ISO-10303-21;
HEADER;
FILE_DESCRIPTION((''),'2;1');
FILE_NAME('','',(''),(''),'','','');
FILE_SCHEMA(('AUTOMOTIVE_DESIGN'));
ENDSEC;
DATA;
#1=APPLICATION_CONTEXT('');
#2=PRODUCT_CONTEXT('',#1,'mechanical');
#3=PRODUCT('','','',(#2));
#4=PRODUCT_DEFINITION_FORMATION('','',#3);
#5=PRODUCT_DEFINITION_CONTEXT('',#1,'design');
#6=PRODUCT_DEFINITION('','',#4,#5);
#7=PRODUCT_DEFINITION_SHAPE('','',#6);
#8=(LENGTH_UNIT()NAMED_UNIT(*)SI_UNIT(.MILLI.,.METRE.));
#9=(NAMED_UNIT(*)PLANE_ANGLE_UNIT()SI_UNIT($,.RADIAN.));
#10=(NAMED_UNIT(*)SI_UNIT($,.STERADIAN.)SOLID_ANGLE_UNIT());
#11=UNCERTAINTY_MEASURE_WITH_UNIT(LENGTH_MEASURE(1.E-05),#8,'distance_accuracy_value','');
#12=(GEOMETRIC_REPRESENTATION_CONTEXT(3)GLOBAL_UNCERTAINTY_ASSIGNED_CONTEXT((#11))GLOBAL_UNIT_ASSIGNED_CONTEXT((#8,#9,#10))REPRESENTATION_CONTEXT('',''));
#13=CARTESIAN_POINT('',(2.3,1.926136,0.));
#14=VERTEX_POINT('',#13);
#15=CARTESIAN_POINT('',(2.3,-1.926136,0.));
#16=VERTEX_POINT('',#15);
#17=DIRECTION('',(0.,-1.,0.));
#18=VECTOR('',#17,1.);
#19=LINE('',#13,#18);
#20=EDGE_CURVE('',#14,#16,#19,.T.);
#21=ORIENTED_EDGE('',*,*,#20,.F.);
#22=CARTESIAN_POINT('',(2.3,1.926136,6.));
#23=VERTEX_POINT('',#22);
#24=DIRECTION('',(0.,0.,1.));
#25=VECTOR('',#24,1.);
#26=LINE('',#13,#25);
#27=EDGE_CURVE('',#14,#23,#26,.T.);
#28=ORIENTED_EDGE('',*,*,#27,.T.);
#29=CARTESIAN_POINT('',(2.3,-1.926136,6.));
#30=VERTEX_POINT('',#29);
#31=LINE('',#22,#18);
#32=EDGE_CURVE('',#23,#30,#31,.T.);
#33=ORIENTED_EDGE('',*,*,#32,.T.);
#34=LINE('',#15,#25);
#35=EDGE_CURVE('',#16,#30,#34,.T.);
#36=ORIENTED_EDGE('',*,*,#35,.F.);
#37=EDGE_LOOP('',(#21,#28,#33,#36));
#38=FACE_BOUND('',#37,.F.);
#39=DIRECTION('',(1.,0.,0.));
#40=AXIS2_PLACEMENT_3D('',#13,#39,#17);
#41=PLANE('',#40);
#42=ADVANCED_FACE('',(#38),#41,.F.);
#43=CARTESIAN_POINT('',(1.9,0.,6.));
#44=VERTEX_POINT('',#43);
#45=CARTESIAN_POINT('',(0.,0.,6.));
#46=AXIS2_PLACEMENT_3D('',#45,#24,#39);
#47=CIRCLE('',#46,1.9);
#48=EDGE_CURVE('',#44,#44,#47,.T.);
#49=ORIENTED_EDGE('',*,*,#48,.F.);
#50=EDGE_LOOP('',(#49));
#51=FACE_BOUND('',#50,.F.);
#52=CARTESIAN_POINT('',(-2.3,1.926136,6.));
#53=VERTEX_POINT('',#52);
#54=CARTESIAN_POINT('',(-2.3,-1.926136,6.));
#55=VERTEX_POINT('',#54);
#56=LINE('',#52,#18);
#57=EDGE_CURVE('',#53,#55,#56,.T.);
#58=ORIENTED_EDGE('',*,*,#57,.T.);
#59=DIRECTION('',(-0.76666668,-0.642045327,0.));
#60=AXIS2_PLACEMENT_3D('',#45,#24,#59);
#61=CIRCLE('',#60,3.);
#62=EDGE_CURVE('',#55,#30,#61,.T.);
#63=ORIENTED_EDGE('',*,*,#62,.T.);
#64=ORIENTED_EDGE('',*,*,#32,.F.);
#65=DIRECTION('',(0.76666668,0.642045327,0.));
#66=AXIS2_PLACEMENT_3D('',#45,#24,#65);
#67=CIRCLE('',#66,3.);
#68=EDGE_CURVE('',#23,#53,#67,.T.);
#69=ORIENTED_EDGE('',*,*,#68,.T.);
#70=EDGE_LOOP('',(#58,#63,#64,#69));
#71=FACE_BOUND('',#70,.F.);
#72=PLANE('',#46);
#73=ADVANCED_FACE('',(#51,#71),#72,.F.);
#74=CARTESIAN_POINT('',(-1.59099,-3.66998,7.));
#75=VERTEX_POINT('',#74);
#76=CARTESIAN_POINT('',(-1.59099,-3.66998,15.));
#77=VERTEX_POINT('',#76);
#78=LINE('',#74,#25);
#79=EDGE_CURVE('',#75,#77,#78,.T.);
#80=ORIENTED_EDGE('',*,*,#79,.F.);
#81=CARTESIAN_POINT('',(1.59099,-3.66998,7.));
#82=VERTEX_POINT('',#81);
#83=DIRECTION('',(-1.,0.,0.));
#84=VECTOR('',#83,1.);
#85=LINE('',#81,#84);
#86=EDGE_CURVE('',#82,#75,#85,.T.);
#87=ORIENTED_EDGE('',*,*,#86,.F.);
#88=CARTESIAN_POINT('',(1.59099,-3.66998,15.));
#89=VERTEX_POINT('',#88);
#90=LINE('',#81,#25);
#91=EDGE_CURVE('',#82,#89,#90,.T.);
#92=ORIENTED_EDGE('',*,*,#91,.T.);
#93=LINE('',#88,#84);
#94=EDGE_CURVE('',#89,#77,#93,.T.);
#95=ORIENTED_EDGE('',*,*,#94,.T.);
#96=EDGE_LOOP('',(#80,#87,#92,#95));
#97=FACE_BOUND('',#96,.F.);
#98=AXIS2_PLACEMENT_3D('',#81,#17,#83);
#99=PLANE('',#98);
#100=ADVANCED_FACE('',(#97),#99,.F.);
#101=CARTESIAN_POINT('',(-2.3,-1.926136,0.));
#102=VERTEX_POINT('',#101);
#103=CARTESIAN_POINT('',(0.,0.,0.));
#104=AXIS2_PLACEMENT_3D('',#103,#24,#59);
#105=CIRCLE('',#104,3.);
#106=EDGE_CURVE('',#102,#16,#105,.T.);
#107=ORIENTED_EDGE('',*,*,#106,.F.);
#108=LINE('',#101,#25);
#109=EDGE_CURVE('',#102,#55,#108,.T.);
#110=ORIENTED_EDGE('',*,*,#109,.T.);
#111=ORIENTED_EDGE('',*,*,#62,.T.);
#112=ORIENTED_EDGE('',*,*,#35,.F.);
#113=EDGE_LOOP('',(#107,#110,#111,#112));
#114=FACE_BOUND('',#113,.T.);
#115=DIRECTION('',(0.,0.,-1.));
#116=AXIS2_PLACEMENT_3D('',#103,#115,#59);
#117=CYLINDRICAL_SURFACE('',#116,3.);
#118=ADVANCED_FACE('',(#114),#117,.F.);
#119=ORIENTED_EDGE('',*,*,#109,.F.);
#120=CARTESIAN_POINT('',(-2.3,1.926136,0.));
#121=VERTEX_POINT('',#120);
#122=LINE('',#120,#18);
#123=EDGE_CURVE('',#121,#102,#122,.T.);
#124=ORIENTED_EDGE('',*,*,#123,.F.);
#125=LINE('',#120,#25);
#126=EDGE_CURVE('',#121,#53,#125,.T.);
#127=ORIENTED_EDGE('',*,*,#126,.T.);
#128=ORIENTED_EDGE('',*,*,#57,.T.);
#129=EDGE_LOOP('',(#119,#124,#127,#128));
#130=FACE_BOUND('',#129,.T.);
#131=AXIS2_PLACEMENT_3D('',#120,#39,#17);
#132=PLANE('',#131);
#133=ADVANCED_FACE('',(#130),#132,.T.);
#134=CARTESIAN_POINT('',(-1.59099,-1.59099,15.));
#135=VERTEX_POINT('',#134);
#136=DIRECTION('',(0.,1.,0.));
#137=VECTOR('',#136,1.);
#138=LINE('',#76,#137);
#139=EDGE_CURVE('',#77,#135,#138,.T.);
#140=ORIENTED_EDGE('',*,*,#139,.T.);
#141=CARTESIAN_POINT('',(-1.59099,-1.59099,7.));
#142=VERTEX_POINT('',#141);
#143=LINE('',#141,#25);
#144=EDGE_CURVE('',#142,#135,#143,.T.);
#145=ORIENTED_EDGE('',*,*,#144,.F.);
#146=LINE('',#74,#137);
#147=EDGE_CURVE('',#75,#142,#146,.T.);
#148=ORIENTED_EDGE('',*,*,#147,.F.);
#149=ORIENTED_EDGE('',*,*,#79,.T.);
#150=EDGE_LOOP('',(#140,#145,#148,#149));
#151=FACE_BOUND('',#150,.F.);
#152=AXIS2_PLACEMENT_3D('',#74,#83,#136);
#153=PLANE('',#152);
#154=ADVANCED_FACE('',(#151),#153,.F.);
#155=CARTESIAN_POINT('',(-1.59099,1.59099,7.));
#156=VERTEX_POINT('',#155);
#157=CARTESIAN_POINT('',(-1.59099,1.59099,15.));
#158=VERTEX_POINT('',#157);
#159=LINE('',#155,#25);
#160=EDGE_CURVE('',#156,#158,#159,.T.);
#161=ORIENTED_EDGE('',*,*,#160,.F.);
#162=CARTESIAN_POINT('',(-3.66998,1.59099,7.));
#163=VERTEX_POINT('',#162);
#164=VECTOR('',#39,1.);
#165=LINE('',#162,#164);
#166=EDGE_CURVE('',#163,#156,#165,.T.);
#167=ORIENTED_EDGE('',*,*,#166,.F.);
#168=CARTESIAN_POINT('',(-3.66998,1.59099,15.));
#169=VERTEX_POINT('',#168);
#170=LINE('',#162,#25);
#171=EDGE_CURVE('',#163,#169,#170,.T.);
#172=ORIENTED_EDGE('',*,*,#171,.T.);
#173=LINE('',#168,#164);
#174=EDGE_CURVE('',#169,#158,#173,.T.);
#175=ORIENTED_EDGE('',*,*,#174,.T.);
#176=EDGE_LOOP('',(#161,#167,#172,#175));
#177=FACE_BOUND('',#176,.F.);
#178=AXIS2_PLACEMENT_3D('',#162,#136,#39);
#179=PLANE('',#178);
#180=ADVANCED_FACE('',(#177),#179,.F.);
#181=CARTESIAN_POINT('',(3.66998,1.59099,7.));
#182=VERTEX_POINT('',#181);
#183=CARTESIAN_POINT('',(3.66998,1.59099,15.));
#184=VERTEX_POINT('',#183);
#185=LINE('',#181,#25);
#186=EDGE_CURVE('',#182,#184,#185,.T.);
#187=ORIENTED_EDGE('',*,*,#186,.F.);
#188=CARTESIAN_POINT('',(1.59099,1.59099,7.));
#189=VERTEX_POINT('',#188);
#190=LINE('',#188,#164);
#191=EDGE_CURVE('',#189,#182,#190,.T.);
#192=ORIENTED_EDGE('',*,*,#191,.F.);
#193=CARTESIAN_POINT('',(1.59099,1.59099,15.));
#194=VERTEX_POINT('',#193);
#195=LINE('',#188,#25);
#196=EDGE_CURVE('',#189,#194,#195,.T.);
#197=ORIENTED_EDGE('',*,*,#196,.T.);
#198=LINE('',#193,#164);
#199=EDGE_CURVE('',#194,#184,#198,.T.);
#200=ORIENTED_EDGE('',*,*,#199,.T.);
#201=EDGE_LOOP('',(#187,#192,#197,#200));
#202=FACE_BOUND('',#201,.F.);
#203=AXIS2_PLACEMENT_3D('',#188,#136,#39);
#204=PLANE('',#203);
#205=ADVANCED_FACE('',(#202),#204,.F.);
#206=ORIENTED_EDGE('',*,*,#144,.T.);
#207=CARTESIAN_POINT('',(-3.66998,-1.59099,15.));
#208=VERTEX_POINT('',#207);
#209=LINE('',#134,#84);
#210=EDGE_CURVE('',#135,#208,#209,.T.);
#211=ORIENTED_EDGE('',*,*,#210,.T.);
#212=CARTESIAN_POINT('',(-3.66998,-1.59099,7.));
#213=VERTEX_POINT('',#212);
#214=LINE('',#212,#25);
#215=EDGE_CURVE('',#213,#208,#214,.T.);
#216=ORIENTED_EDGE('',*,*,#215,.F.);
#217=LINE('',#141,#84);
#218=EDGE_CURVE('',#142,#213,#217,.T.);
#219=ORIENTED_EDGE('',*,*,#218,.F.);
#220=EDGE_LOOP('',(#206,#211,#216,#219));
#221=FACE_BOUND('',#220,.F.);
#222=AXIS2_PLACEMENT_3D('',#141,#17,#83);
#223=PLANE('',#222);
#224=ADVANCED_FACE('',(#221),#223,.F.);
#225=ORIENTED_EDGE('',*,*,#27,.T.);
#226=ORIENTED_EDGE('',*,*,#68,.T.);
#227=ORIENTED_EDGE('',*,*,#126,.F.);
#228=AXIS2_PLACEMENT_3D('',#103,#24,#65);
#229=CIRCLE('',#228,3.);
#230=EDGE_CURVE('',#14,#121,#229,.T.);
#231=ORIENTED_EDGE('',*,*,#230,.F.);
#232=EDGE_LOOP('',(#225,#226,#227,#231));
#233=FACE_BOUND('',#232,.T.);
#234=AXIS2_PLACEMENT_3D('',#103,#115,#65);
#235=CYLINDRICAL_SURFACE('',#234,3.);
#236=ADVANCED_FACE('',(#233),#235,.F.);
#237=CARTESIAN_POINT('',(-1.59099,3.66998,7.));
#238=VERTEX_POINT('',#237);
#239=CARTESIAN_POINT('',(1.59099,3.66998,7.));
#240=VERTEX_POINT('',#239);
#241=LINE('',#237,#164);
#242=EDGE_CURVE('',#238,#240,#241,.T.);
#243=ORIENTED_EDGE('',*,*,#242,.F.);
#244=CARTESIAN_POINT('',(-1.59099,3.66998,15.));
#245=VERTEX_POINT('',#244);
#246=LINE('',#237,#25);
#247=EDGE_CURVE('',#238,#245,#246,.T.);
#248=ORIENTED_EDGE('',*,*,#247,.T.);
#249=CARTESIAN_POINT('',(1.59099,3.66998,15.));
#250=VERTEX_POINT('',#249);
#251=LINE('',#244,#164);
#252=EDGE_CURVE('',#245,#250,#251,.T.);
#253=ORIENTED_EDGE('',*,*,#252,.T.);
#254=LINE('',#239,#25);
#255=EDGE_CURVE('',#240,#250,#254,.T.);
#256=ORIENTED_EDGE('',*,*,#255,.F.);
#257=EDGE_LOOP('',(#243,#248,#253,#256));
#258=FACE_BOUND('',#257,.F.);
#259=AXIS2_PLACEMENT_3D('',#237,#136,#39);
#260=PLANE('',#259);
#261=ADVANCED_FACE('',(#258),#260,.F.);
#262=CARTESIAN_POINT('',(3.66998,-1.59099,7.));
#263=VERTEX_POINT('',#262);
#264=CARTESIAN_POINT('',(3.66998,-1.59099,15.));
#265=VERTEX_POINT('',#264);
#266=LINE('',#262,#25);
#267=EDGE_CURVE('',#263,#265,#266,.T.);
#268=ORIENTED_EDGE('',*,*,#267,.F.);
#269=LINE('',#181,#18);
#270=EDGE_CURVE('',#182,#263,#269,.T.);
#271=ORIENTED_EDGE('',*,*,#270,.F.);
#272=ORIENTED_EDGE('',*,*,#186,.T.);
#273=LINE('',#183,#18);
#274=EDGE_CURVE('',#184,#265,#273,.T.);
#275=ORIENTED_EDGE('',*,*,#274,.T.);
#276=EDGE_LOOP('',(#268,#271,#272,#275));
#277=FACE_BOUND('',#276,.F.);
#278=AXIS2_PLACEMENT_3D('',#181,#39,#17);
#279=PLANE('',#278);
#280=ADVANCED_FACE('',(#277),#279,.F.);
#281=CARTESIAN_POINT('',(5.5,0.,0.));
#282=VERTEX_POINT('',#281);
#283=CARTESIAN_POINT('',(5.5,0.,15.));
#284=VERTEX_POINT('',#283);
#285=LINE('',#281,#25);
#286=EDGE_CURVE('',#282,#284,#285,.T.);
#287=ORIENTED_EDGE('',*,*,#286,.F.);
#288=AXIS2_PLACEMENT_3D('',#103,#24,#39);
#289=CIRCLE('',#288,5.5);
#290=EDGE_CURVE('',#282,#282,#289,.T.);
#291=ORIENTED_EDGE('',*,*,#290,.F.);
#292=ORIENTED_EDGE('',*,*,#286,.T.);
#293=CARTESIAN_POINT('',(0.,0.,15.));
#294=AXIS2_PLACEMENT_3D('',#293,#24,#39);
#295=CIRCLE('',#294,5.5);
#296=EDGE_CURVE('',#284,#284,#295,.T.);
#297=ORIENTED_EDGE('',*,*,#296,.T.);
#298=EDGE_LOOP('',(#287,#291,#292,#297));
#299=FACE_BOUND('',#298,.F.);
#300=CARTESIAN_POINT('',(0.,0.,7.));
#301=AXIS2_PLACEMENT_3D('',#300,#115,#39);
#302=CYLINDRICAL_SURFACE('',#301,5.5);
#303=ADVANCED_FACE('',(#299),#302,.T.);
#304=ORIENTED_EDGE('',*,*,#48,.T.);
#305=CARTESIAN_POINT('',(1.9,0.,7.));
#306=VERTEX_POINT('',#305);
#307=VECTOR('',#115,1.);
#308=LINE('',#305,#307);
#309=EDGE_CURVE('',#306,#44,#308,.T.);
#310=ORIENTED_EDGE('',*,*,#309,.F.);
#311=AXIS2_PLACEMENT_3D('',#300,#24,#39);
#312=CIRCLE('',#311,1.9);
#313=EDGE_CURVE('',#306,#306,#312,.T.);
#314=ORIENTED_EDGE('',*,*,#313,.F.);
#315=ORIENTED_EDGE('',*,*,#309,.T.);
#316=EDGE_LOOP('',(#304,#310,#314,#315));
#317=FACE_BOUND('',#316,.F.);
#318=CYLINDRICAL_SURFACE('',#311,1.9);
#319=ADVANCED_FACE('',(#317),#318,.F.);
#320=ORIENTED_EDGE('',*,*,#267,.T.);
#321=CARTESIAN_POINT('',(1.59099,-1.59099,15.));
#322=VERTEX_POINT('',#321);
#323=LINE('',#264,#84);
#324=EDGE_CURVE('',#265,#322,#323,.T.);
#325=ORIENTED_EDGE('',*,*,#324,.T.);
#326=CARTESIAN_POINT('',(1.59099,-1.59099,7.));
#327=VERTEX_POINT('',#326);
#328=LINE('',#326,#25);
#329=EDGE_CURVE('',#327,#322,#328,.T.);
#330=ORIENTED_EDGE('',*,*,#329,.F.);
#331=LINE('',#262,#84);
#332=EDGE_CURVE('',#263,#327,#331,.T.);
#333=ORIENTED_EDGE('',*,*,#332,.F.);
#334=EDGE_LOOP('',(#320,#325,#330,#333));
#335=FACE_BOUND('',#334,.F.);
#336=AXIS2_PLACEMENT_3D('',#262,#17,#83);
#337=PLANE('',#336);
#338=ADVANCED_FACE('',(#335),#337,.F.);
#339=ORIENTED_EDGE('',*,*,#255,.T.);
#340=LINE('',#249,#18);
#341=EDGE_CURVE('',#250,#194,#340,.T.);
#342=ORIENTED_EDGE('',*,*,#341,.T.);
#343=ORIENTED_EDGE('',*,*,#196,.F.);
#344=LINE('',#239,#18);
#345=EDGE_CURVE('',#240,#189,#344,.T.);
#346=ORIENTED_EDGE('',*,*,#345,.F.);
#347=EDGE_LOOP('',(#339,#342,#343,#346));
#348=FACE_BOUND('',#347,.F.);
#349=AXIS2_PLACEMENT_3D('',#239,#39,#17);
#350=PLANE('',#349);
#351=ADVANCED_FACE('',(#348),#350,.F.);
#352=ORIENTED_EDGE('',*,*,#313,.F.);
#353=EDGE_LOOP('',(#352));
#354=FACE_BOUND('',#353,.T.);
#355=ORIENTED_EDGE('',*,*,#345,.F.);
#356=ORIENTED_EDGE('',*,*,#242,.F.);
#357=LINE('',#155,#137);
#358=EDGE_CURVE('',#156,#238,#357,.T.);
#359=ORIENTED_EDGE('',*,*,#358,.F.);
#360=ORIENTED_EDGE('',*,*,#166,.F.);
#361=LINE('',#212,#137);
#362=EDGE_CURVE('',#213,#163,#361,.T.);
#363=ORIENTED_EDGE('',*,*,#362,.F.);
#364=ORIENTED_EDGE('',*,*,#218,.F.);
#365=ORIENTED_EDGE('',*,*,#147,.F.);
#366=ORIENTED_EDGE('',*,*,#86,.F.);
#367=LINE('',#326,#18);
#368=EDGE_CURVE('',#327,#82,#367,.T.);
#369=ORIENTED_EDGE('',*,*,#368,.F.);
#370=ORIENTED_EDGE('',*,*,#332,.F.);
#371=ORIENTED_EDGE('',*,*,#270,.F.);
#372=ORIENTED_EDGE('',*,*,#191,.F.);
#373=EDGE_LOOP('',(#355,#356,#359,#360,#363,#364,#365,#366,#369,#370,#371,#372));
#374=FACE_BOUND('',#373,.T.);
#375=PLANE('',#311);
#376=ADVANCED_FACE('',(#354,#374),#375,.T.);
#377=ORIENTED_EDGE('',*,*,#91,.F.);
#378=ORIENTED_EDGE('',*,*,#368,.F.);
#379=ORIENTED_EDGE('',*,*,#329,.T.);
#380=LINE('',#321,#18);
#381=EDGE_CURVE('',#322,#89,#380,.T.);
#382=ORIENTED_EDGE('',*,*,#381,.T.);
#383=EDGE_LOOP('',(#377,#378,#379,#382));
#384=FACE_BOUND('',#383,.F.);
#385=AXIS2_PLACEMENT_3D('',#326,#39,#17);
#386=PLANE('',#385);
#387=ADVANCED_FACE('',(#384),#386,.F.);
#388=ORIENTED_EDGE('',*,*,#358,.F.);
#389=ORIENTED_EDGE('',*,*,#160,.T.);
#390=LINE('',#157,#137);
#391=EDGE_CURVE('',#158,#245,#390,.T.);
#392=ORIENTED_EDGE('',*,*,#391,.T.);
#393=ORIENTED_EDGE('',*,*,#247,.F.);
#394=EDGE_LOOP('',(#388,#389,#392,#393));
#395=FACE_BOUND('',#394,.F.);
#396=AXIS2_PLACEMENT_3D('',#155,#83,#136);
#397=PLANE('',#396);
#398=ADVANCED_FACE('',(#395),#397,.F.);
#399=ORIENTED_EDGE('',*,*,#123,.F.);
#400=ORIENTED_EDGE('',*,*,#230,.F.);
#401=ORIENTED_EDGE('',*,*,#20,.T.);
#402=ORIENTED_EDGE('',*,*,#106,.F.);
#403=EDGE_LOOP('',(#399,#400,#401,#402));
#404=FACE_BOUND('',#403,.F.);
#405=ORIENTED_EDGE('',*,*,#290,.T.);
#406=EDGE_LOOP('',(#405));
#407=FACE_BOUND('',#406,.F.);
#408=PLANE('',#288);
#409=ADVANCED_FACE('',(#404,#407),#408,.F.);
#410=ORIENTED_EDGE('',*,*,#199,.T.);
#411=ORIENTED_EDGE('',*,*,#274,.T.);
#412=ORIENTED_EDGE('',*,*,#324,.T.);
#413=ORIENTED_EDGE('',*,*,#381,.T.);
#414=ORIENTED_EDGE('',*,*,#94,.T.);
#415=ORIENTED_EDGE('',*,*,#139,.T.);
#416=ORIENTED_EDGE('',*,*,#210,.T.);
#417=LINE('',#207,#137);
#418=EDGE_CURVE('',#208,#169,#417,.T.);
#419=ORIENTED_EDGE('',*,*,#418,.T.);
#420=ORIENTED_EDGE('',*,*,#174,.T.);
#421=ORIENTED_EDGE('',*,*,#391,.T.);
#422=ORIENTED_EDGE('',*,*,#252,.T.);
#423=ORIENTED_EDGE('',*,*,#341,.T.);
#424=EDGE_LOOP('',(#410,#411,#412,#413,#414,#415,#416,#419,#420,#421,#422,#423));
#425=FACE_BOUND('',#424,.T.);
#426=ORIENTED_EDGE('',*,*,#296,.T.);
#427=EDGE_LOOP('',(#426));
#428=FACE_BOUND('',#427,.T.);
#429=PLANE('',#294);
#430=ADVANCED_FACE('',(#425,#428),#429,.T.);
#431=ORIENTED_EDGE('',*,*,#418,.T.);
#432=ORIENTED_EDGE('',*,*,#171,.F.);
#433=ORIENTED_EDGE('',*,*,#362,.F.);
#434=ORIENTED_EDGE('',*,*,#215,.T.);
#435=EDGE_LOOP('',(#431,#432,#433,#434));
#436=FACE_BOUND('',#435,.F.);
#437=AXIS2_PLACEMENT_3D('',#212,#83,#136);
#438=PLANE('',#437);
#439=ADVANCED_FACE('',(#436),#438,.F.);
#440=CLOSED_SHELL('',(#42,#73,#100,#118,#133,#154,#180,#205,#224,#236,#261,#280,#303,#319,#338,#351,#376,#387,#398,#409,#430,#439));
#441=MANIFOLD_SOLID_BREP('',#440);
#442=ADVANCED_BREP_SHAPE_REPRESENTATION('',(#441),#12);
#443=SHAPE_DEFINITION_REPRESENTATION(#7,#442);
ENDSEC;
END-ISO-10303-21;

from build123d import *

# Parameters (mm, degrees)
SKETCH032_R     = 5.5
PAD020_DEPTH    = 6
SKETCH033_R     = 5.5
PAD021_DEPTH    = 1
SKETCH034_R     = 1.9
POCKET010_DEPTH = 5
SKETCH035_R     = 5.5
PAD022_DEPTH    = 8


with BuildPart() as part:
    # Sketch032 → Pad020 (new body)
    with BuildSketch(Plane.XY):
        Circle(SKETCH032_R)
        with BuildLine():
            Line((-2.3, 1.926136), (-2.3, -1.926136))
            ThreePointArc((-2.3, -1.926136), (0, -3), (2.3, -1.926136))
            Line((2.3, 1.926136), (2.3, -1.926136))
            ThreePointArc((2.3, 1.926136), (0, 3), (-2.3, 1.926136))
        make_face(mode=Mode.SUBTRACT)
    extrude(amount=PAD020_DEPTH)

    # Sketch033 (on Face7 of Pad020) → Pad021 (join)
    with BuildSketch(Plane.XY.offset(6)):
        Circle(SKETCH033_R)
    extrude(amount=PAD021_DEPTH)

    # Sketch034 (on Face1 of Pad021) → Pocket010 (cut)
    with BuildSketch(Plane.XY.offset(7)):
        Circle(SKETCH034_R)
    extrude(amount=-POCKET010_DEPTH, mode=Mode.SUBTRACT)

    # Sketch035 (on Face1 of Pocket010) → Pad022 (join)
    with BuildSketch(Plane.XY.offset(7)):
        Circle(SKETCH035_R)
        Polygon((-3.66998, -1.59099), (-3.66998, 1.59099), (-1.59099, 1.59099), (-1.59099, 3.66998), (1.59099, 3.66998), (1.59099, 1.59099), (3.66998, 1.59099), (3.66998, -1.59099), (1.59099, -1.59099), (1.59099, -3.66998), (-1.59099, -3.66998), (-1.59099, -1.59099), align=None, mode=Mode.SUBTRACT)
    extrude(amount=PAD022_DEPTH)


solid = part.part
